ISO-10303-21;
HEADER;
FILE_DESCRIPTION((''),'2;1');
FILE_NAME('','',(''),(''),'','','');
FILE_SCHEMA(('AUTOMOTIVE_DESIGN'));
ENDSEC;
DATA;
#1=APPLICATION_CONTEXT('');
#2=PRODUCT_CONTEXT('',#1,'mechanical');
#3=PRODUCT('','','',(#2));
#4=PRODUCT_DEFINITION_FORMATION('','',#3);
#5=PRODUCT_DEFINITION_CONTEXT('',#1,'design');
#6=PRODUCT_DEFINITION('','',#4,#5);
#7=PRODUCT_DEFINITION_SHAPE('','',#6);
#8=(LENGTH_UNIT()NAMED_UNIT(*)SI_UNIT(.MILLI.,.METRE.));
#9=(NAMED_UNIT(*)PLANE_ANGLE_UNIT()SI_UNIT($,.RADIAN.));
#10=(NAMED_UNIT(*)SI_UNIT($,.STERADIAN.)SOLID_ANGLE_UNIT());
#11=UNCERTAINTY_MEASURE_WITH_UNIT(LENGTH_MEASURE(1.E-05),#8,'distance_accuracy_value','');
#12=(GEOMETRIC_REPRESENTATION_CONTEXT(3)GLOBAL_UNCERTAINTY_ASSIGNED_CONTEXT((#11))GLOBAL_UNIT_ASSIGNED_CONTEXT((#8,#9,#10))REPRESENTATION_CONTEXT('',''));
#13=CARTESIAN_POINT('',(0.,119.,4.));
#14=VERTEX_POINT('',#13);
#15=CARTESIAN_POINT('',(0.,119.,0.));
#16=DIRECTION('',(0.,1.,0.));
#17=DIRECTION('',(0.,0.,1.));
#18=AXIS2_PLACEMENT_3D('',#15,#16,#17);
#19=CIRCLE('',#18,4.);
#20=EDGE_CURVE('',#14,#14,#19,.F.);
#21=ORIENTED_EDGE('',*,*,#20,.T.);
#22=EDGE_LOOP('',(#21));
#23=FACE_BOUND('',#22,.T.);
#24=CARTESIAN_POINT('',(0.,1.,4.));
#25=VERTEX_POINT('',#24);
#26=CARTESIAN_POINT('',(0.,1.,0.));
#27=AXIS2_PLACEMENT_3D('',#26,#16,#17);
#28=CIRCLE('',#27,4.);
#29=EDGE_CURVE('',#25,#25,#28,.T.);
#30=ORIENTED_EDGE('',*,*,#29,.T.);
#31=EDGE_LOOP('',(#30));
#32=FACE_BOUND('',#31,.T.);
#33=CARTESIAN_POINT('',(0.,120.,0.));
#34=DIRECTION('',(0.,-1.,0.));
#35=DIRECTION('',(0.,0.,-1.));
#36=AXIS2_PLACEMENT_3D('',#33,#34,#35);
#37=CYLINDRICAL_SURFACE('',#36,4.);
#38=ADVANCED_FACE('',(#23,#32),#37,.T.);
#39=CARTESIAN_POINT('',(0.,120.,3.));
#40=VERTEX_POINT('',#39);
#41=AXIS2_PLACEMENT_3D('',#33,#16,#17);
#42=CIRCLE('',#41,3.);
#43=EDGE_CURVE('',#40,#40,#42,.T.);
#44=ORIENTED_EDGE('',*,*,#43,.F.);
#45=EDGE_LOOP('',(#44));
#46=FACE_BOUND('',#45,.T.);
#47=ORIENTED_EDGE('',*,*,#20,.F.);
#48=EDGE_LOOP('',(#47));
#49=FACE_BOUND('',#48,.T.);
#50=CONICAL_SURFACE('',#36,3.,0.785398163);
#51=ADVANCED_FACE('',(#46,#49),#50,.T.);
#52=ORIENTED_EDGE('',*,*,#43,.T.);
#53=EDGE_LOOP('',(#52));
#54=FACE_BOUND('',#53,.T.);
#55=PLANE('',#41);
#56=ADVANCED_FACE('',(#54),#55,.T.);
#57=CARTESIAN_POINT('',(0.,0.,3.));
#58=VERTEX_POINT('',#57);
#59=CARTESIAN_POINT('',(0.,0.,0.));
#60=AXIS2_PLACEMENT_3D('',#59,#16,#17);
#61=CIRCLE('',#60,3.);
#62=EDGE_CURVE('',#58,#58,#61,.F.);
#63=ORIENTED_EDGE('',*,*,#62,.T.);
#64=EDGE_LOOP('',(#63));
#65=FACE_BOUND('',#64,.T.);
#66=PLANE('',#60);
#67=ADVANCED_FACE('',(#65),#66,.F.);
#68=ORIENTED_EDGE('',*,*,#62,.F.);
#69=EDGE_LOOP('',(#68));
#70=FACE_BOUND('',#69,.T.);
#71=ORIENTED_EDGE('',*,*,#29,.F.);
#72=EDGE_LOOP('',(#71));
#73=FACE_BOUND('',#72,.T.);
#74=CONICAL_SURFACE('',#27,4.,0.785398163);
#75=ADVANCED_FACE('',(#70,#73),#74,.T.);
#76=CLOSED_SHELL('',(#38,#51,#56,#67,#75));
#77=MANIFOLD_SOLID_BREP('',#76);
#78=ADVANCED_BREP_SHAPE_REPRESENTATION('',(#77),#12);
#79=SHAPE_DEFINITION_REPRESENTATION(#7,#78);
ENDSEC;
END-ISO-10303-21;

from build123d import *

# Parameters (mm, degrees)
SKETCH_1_R      = 4
EXTRUDE_1_DEPTH = 120
CHAMFER_1_SIZE  = 1


with BuildPart() as part:
    # 草圖1 → 填料-伸長1 (new body)
    with BuildSketch(Plane(origin=(0, 0, 0), x_dir=(1, 0, 0), z_dir=(0, 1, 0))):
        Circle(SKETCH_1_R)
    extrude(amount=EXTRUDE_1_DEPTH)

    # 導角1
    chamfer_1_edges = [part.edges().sort_by_distance(p)[0] for p in [
        (-4, 0, 0),
        (-4, 120, 0),
    ]]
    chamfer(chamfer_1_edges, length=CHAMFER_1_SIZE)


solid = part.part
